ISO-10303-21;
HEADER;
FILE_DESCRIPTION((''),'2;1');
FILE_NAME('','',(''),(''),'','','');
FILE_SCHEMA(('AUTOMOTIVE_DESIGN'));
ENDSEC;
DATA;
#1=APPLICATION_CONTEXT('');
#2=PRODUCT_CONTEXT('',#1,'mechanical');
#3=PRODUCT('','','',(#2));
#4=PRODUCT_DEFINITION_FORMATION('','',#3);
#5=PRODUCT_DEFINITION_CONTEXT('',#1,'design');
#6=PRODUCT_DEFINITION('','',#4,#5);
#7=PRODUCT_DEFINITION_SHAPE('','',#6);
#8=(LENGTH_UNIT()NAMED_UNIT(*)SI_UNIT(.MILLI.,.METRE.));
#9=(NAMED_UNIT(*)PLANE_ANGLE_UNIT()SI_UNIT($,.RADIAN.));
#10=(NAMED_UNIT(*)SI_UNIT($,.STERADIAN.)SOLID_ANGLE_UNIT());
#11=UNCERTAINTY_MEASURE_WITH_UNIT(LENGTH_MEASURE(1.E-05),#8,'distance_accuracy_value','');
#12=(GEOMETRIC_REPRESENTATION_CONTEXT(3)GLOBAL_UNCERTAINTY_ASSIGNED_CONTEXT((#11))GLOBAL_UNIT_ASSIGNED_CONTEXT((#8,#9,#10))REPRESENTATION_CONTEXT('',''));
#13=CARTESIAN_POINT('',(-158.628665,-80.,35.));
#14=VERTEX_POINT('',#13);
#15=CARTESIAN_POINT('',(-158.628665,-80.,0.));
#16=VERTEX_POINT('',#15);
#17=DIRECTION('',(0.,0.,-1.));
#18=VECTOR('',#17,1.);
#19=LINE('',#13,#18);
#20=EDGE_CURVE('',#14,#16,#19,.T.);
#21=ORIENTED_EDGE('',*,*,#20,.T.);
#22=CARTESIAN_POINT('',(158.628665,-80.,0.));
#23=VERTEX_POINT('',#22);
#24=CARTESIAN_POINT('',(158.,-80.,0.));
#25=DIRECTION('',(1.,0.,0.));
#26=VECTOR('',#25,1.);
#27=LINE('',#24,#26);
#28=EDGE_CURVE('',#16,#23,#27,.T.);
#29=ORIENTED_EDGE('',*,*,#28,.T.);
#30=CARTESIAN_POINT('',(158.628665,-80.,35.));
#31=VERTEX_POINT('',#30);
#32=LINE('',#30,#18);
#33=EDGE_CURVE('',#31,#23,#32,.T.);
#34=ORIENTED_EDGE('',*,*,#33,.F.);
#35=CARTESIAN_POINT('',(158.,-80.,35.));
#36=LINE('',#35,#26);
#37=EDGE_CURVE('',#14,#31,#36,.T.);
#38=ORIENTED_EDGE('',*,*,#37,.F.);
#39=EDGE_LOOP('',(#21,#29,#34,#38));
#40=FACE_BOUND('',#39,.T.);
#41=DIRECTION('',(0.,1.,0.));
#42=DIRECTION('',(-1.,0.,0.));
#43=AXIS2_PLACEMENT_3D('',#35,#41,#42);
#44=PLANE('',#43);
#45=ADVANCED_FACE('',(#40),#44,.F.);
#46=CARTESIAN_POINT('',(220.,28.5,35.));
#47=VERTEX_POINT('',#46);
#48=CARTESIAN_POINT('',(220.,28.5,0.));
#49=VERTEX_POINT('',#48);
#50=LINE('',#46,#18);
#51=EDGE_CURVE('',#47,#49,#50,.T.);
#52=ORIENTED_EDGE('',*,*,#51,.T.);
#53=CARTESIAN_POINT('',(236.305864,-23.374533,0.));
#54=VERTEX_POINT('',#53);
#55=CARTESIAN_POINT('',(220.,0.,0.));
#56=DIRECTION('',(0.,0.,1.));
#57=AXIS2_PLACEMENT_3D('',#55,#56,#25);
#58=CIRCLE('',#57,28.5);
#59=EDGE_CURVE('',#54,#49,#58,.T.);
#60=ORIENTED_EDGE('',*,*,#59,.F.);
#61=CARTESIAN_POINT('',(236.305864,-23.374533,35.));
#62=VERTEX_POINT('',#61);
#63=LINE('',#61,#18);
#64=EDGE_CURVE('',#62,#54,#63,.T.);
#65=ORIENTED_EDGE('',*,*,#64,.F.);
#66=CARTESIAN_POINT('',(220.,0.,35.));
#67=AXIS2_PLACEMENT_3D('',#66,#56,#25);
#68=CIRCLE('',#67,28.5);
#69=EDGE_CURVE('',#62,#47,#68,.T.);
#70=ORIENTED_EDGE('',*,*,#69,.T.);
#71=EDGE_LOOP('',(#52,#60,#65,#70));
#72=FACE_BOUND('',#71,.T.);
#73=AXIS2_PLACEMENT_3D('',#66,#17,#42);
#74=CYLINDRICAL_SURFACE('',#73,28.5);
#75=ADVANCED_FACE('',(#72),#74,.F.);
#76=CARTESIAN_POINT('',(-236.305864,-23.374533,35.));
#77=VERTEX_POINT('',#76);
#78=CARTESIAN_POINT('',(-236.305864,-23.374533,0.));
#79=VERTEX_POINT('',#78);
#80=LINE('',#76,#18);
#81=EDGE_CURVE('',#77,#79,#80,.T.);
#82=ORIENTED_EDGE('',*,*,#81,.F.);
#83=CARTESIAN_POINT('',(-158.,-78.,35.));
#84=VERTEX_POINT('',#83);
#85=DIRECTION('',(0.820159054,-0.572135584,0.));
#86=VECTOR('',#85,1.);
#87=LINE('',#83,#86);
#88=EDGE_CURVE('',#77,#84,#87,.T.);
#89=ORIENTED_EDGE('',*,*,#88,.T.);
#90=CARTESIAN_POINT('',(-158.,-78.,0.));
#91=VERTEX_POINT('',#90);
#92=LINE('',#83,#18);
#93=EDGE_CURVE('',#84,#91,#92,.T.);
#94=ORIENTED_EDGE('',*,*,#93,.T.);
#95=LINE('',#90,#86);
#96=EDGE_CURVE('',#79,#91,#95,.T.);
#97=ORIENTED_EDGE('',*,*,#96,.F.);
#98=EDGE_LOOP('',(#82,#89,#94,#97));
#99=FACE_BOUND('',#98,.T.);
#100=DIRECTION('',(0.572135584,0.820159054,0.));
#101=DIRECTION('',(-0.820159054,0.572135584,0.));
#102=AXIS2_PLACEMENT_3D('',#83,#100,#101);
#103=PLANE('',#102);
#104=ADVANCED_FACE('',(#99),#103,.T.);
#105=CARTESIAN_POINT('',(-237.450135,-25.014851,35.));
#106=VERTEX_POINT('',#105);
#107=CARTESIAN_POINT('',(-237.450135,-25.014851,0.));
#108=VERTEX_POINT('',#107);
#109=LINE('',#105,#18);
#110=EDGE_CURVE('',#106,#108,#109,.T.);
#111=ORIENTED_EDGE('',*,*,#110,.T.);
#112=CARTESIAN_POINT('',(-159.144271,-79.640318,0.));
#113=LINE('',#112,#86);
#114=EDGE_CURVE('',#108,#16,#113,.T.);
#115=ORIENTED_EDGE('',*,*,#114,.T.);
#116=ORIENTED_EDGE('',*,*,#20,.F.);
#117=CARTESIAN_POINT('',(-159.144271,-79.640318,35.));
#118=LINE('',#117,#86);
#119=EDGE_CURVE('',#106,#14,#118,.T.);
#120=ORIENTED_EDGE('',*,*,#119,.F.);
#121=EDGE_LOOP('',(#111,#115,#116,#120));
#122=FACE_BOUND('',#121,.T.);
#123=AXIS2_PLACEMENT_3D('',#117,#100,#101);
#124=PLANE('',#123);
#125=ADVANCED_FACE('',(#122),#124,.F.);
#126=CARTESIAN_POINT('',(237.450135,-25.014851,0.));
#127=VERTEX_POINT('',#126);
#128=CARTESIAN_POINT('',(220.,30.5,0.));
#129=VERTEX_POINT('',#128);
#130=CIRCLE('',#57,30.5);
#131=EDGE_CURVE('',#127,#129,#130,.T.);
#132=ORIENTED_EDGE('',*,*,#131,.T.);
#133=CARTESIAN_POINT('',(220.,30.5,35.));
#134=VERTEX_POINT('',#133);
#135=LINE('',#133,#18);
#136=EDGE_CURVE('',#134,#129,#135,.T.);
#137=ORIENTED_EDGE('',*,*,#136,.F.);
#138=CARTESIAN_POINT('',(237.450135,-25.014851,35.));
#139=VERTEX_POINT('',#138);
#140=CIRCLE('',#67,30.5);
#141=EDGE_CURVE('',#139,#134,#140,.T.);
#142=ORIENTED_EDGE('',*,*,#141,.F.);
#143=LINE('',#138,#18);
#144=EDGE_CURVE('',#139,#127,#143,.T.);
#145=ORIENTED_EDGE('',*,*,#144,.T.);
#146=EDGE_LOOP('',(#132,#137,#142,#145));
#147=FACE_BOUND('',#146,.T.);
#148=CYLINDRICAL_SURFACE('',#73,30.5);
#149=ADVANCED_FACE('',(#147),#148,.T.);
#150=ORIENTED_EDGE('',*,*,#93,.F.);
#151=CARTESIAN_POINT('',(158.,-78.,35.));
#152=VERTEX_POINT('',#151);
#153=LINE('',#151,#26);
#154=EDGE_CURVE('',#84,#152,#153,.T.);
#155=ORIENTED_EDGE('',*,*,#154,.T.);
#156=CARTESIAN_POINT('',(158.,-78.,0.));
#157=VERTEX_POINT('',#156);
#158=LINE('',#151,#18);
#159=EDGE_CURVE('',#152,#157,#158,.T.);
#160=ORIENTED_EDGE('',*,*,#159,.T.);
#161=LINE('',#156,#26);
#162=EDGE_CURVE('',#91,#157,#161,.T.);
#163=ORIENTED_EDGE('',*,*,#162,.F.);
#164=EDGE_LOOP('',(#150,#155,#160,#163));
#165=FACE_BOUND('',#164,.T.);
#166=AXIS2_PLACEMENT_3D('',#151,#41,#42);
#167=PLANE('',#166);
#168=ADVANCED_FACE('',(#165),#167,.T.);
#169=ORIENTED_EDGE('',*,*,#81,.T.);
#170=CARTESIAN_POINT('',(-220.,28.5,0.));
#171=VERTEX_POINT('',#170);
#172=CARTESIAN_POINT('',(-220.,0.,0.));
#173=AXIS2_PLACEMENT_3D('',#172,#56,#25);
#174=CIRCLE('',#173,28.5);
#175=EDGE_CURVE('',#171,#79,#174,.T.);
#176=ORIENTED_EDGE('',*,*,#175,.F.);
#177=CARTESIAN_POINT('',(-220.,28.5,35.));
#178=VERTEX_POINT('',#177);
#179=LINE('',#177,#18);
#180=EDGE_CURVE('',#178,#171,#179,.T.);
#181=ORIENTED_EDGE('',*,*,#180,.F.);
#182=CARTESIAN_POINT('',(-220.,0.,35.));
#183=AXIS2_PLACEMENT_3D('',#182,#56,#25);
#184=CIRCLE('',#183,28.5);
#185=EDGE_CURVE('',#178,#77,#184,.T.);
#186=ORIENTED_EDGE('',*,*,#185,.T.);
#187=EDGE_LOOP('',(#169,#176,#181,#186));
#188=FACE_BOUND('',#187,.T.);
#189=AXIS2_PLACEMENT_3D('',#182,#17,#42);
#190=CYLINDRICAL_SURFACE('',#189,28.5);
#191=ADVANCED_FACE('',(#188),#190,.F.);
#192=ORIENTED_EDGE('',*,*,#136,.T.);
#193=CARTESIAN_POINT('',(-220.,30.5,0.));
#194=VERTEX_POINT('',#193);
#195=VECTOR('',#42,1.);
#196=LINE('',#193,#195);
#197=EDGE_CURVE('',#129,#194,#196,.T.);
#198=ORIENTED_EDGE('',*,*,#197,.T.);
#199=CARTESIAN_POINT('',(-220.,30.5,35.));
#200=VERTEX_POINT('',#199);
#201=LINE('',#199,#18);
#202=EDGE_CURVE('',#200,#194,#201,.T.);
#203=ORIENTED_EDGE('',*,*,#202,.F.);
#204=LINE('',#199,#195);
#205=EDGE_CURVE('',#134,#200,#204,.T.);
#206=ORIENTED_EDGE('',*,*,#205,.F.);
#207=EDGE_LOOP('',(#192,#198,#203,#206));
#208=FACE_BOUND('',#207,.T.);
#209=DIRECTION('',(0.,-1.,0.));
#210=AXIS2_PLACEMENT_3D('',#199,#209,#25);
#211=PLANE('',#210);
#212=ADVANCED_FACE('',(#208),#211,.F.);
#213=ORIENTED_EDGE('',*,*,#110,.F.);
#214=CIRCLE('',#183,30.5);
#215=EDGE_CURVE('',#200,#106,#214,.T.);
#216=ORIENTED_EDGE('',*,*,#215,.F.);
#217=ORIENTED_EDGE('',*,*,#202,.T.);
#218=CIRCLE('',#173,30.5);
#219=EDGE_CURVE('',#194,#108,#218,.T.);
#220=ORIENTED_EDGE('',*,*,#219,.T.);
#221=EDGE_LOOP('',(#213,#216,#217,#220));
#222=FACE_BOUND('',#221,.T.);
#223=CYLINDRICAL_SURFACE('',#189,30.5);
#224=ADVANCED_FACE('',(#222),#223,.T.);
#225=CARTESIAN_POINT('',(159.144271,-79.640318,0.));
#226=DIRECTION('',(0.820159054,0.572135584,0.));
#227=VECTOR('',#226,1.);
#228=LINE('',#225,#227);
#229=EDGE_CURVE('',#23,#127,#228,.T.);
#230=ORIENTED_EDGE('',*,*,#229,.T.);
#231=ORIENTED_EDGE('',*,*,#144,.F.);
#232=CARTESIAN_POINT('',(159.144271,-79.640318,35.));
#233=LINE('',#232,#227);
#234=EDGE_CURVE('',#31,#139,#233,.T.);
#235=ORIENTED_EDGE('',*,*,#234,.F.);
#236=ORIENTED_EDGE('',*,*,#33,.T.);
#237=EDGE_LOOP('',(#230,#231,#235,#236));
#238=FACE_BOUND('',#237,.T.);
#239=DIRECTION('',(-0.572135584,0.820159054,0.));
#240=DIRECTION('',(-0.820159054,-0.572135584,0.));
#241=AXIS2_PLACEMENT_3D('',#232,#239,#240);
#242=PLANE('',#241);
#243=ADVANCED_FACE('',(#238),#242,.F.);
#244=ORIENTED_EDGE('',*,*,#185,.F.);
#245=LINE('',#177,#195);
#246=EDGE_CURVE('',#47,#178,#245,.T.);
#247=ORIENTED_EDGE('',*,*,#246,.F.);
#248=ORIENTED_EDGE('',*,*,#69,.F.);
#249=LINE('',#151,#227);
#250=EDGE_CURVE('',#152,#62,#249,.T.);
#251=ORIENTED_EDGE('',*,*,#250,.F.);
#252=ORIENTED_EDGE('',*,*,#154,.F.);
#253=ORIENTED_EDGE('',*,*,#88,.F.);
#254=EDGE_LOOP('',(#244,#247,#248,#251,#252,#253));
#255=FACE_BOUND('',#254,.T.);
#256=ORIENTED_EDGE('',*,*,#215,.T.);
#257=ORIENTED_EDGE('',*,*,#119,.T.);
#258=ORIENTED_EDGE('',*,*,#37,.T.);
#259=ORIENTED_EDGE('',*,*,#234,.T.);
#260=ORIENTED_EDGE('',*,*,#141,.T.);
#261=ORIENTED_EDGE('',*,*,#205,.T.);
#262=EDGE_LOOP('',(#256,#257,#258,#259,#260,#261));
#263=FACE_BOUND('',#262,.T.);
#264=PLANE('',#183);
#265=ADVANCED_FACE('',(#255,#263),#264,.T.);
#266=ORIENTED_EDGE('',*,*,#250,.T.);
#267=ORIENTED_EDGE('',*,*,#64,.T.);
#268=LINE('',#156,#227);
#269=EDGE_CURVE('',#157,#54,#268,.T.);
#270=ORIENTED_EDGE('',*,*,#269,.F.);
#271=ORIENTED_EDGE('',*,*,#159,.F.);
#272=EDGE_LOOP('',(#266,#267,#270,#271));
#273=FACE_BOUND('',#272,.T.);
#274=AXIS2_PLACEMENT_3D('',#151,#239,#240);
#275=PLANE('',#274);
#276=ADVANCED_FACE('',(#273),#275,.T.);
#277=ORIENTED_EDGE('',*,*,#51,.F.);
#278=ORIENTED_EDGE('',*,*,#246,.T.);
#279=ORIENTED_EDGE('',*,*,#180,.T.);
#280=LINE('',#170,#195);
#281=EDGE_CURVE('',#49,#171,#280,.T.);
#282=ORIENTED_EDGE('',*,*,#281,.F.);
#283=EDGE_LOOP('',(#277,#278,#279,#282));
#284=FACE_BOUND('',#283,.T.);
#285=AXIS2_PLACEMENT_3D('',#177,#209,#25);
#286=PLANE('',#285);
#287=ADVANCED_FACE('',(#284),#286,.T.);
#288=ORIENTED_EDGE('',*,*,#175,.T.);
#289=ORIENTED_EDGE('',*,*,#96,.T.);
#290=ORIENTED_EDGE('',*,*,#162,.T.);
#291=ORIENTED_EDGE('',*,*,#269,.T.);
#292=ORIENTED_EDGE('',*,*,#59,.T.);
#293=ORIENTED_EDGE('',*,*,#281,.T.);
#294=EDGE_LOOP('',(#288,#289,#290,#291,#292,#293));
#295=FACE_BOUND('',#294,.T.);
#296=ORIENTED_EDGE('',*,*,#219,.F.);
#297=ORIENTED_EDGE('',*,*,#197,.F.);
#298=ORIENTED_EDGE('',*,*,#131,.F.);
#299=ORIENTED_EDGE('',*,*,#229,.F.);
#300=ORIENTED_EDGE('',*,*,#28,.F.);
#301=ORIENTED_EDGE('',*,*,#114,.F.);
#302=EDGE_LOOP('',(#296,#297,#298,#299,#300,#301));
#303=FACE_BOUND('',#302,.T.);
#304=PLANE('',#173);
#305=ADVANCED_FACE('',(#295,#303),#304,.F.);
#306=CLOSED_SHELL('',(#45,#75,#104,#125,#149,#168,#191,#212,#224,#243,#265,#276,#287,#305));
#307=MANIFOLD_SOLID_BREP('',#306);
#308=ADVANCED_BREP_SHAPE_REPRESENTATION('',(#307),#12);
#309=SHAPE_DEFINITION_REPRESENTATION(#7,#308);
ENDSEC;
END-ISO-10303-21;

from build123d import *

# Parameters (mm, degrees)
EXTRUDE_1_DEPTH = 35


with BuildPart() as part:
    # 草图1 → 拉伸-薄壁1 (new body)
    with BuildSketch(Plane.XY):
        with BuildLine():
            Line((237.450135309, -25.014851143), (158.628665481, -80))
            Line((158.628665481, -80), (-158.628665481, -80))
            Line((-158.628665481, -80), (-237.450135309, -25.014851143))
            ThreePointArc((-237.450135309, -25.014851143), (-249.09641696, 9.145956487), (-220, 30.5))
            Line((-220, 30.5), (220, 30.5))
            ThreePointArc((220, 30.5), (249.09641696, 9.145956487), (237.450135309, -25.014851143))
        make_face()
        with BuildLine():
            Line((236.305864141, -23.374533035), (158, -78))
            Line((158, -78), (-158, -78))
            Line((-158, -78), (-236.305864141, -23.374533035))
            ThreePointArc((-236.305864141, -23.374533035), (-247.188455192, 8.546221636), (-220, 28.5))
            Line((-220, 28.5), (220, 28.5))
            ThreePointArc((220, 28.5), (247.188455192, 8.546221636), (236.305864141, -23.374533035))
        make_face(mode=Mode.SUBTRACT)
    extrude(amount=EXTRUDE_1_DEPTH)


solid = part.part
